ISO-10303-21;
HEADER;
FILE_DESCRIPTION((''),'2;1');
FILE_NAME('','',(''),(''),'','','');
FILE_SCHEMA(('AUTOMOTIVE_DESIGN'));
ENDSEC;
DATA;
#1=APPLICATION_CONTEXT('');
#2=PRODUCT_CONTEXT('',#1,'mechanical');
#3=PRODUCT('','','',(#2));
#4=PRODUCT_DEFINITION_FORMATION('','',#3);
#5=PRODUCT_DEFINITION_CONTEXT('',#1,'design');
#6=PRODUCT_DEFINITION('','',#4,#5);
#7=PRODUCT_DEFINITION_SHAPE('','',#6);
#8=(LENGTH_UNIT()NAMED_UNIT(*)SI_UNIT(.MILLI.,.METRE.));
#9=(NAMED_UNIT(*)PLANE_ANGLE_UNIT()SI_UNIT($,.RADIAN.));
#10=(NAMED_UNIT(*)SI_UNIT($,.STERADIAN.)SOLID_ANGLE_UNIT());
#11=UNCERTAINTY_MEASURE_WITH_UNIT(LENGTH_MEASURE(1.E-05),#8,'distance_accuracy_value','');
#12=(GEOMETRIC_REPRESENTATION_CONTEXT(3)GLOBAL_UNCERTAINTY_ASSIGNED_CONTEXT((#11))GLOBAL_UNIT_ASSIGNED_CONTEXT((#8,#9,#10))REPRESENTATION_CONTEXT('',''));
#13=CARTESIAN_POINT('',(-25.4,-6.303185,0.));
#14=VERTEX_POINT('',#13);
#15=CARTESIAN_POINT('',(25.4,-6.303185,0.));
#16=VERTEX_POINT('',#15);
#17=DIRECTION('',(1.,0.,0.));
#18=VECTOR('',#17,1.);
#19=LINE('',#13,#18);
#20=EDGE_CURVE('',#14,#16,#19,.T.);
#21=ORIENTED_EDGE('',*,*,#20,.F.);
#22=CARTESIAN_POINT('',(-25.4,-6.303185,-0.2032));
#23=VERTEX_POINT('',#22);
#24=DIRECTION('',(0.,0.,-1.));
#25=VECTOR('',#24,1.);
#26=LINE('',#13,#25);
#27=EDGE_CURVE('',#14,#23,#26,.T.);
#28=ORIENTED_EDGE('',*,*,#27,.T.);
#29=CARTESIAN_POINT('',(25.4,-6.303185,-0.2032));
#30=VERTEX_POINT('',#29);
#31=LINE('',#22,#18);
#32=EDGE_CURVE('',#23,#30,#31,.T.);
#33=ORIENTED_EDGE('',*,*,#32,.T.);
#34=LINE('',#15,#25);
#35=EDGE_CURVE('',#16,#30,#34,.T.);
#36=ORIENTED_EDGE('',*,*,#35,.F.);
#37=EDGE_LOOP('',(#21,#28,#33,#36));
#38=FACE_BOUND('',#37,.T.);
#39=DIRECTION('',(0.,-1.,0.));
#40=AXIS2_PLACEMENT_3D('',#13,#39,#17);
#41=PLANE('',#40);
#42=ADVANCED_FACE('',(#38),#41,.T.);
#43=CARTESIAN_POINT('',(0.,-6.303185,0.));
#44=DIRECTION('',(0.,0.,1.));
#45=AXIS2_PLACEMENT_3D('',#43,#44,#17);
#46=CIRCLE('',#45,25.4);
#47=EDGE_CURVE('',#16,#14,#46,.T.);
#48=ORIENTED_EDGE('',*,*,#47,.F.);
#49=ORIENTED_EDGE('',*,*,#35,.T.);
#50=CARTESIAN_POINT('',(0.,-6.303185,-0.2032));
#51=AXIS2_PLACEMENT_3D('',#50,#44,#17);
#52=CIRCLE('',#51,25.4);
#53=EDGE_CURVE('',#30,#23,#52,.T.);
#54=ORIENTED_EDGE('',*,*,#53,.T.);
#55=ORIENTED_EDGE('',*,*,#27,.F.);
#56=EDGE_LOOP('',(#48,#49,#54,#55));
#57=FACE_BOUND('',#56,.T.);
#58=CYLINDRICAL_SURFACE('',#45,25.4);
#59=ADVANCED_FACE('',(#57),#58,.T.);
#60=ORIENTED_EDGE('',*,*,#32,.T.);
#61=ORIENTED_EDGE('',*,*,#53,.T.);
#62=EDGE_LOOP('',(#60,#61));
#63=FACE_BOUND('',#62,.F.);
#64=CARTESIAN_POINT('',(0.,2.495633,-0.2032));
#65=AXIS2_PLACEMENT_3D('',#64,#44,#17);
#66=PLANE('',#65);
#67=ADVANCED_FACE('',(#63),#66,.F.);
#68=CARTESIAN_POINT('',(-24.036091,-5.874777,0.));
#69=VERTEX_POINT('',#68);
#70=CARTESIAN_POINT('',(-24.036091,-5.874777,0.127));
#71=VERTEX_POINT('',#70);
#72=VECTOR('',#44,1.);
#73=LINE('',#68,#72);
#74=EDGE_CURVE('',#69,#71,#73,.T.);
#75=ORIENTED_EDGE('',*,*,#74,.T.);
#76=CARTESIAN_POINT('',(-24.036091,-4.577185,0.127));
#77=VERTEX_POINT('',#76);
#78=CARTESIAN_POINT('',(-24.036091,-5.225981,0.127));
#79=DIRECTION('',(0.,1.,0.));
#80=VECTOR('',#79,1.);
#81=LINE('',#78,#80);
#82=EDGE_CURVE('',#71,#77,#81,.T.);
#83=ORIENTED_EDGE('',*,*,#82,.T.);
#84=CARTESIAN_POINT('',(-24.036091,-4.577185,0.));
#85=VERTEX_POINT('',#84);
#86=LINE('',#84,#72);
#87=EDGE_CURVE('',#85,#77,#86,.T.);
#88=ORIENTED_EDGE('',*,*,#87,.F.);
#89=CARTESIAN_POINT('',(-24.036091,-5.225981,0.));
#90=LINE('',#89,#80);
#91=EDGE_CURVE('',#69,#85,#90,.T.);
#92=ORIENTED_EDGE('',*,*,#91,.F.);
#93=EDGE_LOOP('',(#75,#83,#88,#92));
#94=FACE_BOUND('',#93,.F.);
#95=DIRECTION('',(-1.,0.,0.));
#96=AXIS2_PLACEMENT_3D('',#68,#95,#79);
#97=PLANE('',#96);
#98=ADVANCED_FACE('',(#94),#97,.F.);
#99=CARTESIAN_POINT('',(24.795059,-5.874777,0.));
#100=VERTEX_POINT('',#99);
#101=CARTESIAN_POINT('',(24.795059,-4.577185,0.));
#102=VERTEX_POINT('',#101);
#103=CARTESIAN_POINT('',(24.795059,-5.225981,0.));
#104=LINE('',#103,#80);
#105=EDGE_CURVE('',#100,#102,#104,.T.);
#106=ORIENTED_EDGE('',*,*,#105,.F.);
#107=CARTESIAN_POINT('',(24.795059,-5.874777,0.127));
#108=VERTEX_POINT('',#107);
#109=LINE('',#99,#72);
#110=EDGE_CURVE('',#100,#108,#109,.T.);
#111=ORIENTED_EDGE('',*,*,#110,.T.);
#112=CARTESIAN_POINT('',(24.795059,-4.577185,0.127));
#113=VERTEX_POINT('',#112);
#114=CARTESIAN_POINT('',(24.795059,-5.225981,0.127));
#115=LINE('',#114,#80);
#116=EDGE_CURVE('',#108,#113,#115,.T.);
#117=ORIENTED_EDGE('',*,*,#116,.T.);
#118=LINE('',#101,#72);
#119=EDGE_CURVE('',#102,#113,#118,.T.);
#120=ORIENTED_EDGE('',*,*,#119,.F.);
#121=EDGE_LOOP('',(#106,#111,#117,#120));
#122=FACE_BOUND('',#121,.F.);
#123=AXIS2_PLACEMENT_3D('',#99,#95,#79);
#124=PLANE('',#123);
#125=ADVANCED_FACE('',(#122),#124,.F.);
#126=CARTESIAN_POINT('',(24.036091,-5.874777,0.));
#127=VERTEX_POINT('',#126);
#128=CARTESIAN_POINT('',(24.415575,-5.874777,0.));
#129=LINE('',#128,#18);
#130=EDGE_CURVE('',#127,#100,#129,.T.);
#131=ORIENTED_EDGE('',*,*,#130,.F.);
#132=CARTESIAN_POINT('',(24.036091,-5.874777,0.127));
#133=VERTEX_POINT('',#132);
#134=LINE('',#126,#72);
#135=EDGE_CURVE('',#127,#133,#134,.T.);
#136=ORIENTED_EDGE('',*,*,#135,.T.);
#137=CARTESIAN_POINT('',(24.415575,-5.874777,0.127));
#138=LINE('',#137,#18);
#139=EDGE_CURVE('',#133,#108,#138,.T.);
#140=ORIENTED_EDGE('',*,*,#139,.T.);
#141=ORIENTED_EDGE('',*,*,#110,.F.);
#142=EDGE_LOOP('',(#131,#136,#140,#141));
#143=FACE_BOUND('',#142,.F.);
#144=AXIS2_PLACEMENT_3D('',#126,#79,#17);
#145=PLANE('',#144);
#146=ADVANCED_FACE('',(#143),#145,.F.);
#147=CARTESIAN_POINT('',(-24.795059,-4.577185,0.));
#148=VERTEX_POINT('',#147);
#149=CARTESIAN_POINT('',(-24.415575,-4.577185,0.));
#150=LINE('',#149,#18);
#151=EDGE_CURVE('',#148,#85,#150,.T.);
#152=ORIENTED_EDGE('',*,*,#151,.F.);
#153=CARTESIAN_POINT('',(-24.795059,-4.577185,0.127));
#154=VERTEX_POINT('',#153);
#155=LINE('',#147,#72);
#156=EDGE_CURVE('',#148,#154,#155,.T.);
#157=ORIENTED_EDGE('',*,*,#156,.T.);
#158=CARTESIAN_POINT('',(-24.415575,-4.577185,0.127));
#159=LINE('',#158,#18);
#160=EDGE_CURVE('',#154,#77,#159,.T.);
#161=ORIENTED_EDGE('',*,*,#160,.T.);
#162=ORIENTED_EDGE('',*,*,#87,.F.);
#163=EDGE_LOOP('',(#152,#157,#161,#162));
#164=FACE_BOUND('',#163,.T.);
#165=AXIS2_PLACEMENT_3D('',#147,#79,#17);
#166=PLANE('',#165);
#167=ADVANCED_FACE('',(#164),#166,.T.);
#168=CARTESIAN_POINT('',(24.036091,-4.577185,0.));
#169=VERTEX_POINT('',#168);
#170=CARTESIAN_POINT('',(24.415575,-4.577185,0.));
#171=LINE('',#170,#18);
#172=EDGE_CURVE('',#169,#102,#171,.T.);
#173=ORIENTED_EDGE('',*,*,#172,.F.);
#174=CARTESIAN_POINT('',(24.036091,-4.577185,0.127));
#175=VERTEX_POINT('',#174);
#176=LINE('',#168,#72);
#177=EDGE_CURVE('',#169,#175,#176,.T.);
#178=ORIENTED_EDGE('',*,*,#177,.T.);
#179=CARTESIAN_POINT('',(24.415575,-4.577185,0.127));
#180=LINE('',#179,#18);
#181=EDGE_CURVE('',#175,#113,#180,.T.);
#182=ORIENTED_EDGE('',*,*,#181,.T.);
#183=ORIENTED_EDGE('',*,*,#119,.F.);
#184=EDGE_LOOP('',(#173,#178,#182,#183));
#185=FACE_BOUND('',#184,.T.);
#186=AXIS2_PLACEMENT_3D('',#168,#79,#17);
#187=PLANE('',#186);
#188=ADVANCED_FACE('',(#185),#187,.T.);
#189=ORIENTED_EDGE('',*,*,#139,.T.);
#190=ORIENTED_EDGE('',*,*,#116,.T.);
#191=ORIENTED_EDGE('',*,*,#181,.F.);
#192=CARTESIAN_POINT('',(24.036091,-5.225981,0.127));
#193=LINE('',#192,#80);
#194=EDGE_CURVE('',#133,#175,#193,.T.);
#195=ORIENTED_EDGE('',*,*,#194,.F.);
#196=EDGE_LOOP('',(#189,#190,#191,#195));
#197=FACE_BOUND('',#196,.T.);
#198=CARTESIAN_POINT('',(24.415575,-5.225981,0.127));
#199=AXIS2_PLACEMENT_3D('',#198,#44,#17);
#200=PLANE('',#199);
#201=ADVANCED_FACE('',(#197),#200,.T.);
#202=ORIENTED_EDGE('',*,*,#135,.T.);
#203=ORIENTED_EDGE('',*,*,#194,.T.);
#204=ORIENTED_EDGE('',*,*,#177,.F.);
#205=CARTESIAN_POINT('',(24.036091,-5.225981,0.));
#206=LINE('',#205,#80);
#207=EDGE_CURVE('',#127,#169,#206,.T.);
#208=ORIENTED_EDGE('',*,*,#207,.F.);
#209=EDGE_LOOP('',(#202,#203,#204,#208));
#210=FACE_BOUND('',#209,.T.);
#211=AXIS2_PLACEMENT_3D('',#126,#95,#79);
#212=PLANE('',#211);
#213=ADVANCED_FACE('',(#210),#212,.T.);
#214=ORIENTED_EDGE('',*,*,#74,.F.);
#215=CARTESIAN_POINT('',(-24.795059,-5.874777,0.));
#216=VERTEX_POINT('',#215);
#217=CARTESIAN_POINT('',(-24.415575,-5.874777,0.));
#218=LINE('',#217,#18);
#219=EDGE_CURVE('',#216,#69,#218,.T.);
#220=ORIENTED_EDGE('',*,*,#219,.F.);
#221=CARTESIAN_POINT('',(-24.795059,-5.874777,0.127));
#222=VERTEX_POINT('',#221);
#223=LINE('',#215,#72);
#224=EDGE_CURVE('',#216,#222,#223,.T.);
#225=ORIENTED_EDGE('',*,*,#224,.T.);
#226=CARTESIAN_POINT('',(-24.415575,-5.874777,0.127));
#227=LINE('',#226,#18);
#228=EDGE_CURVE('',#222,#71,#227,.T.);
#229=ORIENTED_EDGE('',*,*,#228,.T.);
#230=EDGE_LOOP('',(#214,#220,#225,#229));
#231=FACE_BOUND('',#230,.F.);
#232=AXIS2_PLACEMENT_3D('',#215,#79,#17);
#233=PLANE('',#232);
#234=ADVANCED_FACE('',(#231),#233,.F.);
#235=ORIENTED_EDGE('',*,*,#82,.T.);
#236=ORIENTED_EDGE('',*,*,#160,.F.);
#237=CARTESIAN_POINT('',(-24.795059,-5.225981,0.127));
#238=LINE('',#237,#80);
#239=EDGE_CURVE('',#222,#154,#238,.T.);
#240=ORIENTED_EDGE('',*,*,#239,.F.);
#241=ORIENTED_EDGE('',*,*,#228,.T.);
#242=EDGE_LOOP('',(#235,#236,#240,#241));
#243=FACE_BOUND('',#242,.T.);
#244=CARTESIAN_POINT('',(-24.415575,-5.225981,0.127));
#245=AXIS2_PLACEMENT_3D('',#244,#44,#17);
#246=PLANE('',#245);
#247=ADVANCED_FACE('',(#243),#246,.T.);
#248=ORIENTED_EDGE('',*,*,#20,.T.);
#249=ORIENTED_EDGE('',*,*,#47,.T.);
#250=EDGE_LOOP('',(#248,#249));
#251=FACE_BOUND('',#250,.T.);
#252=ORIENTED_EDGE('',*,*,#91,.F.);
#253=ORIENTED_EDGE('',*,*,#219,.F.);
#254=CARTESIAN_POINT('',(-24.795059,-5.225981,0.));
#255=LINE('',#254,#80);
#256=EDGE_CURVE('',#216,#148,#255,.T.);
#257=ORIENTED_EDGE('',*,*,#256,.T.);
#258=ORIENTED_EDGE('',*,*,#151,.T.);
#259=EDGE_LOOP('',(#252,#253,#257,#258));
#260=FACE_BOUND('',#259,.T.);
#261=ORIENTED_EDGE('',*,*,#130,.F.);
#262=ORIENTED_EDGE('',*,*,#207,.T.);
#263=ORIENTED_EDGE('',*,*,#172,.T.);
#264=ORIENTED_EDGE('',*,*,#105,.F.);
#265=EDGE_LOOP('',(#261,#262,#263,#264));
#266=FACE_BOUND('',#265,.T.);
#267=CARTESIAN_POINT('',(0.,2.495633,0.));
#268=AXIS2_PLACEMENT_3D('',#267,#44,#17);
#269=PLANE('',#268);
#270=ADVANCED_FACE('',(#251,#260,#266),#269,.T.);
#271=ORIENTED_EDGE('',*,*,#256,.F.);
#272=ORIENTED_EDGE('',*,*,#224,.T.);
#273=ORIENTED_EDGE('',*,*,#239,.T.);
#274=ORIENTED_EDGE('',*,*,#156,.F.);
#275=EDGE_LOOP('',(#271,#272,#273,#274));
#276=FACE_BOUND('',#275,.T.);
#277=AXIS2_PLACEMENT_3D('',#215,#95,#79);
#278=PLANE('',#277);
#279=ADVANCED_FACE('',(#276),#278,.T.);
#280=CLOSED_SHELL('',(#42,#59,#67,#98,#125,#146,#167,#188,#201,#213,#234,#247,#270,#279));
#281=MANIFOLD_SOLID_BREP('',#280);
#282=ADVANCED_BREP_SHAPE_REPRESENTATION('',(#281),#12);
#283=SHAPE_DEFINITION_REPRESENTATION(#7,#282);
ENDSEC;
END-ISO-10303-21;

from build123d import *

# Parameters (mm, degrees)
F0_W     = 0.758968
F0_H     = 1.297592
F1_DEPTH = 0.2032
F2_DEPTH = 0.127


with BuildPart() as f1:
    # F0 (on Top) → F1 (new body)
    with BuildSketch(Plane.XY):
        with BuildLine():
            ThreePointArc((25.4, -6.303185), (0, 19.096815), (-25.4, -6.303185))
            Line((-25.4, -6.303185), (25.4, -6.303185))
        make_face()
        with Locations((-24.415575, -5.225981)):
            Rectangle(F0_W, F0_H, mode=Mode.SUBTRACT)
        with Locations((24.415575, -5.225981)):
            Rectangle(F0_W, F0_H, mode=Mode.SUBTRACT)
        with Locations((-24.415575, -5.225981)):
            Rectangle(F0_W, F0_H)
        with Locations((24.415575, -5.225981)):
            Rectangle(F0_W, F0_H)
    extrude(amount=-F1_DEPTH)

    # F0 (on Top) → F2 (join)
    with BuildSketch(Plane.XY):
        with Locations((-24.415575, -5.225981)):
            Rectangle(F0_W, F0_H)
        with Locations((24.415575, -5.225981)):
            Rectangle(F0_W, F0_H)
    extrude(amount=F2_DEPTH)


solid = f1.part
